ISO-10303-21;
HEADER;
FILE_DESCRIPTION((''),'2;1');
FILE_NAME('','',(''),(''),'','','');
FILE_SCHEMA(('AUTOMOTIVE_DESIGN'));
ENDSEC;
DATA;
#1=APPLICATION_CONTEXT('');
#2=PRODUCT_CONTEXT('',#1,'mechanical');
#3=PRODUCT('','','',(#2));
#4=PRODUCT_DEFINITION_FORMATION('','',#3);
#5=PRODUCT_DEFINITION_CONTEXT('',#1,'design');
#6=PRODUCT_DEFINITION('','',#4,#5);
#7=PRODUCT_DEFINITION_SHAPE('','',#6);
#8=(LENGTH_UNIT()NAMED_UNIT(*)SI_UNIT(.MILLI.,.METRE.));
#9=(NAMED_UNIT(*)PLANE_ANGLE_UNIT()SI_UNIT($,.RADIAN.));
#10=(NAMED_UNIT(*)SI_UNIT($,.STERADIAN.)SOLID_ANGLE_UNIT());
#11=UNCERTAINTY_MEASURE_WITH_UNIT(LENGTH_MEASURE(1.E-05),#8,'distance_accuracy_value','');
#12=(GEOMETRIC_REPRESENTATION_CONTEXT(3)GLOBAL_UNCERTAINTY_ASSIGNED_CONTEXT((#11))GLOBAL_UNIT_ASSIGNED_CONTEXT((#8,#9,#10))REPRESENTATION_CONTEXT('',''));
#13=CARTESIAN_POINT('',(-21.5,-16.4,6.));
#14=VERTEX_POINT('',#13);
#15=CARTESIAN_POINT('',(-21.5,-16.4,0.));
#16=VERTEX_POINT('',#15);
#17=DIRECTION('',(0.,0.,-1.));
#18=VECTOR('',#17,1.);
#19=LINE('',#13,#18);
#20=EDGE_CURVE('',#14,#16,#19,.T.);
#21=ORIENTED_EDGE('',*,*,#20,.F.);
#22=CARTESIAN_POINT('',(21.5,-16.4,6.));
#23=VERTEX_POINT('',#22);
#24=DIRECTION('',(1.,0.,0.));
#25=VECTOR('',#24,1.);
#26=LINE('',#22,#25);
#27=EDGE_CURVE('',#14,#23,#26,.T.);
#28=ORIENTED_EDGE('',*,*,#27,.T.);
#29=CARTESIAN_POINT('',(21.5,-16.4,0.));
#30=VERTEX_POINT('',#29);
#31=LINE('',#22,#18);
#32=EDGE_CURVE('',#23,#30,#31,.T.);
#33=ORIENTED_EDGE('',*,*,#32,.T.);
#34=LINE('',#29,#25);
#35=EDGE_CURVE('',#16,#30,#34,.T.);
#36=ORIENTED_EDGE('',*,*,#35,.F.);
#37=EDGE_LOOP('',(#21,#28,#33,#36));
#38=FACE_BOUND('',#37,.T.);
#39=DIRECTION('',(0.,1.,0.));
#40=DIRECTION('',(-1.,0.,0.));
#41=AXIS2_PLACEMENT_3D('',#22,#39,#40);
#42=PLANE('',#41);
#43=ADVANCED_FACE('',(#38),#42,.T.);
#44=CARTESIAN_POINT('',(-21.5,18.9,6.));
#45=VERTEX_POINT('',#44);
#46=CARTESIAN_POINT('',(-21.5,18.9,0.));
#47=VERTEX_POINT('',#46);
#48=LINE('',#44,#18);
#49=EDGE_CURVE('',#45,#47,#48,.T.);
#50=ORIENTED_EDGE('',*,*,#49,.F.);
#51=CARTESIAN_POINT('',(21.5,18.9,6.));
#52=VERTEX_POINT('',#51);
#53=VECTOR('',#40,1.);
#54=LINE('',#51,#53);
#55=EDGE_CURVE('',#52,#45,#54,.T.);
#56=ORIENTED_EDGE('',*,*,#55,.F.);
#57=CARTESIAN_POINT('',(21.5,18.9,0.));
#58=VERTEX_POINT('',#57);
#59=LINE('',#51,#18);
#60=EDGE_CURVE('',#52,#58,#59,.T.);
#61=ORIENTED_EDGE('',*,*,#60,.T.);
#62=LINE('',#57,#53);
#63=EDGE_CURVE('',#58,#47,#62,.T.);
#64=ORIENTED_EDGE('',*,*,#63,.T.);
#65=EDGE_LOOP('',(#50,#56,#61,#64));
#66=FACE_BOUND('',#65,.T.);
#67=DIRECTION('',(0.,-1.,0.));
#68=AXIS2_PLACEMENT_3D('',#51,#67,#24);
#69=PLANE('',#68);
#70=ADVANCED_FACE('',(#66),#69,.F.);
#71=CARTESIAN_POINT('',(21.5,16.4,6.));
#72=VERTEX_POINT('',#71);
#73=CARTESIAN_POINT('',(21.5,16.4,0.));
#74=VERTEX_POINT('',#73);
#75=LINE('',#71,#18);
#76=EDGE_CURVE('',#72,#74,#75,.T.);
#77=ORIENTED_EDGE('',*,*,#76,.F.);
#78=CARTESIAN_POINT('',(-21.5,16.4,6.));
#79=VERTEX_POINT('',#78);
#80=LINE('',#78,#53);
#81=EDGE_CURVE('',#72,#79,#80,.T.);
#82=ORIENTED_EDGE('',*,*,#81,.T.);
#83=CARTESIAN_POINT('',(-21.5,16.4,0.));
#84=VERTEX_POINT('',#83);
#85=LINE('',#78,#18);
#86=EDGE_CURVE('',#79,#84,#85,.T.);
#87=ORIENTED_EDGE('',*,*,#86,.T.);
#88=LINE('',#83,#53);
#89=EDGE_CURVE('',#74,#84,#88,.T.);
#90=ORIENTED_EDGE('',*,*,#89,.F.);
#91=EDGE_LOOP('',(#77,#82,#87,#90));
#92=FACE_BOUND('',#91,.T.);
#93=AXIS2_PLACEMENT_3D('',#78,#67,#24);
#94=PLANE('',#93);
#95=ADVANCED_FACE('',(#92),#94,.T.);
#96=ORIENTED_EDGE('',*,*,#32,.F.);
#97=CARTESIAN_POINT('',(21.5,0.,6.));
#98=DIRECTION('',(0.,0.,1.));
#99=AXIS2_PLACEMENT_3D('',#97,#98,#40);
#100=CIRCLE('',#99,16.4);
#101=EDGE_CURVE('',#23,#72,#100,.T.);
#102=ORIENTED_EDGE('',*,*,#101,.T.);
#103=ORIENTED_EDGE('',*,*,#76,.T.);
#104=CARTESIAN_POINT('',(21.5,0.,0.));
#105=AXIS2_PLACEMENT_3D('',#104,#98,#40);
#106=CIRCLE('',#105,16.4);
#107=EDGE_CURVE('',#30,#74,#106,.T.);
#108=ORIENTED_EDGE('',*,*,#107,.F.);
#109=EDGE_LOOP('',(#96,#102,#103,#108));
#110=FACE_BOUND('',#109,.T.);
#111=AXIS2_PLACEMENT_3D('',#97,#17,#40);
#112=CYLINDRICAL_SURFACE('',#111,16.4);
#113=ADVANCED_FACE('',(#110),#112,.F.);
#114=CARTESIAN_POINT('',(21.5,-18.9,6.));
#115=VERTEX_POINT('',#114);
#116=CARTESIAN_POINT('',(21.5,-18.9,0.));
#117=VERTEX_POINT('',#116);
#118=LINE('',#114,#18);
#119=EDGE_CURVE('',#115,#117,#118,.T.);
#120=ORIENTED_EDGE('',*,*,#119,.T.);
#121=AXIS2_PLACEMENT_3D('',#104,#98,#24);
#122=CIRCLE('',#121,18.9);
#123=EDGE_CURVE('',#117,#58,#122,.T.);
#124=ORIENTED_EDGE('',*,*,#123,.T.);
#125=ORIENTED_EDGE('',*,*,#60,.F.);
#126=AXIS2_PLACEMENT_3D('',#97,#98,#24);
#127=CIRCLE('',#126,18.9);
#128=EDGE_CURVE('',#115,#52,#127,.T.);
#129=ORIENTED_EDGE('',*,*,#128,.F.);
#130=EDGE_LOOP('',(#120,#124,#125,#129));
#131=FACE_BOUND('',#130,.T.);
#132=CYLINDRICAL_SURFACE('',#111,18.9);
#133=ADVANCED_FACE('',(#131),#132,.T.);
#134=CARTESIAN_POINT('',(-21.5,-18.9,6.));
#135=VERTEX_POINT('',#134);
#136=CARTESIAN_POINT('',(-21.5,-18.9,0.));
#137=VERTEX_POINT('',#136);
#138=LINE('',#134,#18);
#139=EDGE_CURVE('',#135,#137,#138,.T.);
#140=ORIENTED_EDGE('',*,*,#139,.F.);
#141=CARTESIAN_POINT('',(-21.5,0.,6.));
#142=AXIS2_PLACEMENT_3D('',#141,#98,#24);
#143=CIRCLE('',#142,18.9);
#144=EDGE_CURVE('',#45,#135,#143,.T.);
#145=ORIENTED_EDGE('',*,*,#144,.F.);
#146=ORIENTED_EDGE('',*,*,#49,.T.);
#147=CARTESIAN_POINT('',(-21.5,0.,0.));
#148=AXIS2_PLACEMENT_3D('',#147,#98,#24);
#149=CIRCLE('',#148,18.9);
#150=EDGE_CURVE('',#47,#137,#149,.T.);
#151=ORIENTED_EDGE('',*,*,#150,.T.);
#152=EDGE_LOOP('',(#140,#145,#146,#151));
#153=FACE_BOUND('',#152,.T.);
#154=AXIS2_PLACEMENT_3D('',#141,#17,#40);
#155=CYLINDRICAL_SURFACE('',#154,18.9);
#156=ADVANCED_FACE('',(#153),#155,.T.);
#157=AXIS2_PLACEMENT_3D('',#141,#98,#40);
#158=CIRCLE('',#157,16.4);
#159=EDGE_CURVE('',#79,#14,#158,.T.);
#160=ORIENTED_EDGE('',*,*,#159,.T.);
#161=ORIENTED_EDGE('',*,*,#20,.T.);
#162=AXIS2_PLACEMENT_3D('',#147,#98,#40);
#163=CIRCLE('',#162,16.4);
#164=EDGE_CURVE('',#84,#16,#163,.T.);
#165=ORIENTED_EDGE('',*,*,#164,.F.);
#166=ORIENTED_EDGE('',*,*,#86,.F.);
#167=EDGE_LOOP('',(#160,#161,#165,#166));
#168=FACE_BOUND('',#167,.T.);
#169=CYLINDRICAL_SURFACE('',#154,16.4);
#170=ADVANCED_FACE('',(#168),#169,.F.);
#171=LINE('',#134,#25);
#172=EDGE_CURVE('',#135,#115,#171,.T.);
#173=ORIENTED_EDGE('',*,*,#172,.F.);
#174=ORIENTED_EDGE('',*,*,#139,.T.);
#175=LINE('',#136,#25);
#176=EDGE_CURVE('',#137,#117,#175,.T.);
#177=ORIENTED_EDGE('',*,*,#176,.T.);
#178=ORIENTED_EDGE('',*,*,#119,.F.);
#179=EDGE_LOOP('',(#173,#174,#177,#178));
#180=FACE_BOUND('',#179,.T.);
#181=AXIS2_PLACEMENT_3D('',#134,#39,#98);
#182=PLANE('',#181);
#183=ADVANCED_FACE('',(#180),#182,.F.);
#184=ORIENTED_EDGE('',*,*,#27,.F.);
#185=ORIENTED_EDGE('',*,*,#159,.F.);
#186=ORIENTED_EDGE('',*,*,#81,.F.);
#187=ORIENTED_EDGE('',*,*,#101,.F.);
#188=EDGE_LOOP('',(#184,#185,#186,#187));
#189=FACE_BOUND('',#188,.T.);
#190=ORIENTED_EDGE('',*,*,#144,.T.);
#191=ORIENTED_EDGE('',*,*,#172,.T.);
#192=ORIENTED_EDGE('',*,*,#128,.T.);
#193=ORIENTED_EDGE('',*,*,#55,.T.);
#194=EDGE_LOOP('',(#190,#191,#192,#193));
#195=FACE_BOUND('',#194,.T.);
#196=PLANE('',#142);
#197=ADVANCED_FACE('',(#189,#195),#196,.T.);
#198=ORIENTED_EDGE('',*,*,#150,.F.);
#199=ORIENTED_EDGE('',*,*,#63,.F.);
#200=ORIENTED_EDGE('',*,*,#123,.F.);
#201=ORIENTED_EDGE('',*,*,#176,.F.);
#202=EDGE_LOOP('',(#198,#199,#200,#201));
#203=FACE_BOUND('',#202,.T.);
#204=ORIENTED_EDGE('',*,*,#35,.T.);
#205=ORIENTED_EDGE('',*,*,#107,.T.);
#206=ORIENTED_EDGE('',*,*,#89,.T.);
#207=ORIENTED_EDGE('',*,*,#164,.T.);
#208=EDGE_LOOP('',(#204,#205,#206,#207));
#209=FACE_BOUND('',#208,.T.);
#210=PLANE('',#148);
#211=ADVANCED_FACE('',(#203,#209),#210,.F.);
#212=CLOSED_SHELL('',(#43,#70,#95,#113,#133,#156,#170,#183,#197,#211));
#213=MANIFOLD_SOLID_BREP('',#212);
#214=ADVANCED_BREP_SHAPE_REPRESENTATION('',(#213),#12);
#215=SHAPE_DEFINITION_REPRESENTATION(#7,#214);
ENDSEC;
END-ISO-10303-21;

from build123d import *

# Parameters (mm, degrees)
BOSS_EXTRU_2_DEPTH = 6


with BuildPart() as part:
    # Esquisse4 → Boss.-Extru.2 (new body)
    with BuildSketch(Plane.XY):
        with BuildLine():
            Line((-21.5, -18.9), (21.5, -18.9))
            ThreePointArc((21.5, -18.9), (40.4, 0), (21.5, 18.9))
            Line((21.5, 18.9), (-21.5, 18.9))
            ThreePointArc((-21.5, 18.9), (-40.4, 0), (-21.5, -18.9))
        make_face()
        with BuildLine():
            Line((21.5, -16.4), (-21.5, -16.4))
            ThreePointArc((-21.5, -16.4), (-37.9, 0), (-21.5, 16.4))
            Line((-21.5, 16.4), (21.5, 16.4))
            ThreePointArc((21.5, 16.4), (37.9, 0), (21.5, -16.4))
        make_face(mode=Mode.SUBTRACT)
    extrude(amount=BOSS_EXTRU_2_DEPTH)


solid = part.part
